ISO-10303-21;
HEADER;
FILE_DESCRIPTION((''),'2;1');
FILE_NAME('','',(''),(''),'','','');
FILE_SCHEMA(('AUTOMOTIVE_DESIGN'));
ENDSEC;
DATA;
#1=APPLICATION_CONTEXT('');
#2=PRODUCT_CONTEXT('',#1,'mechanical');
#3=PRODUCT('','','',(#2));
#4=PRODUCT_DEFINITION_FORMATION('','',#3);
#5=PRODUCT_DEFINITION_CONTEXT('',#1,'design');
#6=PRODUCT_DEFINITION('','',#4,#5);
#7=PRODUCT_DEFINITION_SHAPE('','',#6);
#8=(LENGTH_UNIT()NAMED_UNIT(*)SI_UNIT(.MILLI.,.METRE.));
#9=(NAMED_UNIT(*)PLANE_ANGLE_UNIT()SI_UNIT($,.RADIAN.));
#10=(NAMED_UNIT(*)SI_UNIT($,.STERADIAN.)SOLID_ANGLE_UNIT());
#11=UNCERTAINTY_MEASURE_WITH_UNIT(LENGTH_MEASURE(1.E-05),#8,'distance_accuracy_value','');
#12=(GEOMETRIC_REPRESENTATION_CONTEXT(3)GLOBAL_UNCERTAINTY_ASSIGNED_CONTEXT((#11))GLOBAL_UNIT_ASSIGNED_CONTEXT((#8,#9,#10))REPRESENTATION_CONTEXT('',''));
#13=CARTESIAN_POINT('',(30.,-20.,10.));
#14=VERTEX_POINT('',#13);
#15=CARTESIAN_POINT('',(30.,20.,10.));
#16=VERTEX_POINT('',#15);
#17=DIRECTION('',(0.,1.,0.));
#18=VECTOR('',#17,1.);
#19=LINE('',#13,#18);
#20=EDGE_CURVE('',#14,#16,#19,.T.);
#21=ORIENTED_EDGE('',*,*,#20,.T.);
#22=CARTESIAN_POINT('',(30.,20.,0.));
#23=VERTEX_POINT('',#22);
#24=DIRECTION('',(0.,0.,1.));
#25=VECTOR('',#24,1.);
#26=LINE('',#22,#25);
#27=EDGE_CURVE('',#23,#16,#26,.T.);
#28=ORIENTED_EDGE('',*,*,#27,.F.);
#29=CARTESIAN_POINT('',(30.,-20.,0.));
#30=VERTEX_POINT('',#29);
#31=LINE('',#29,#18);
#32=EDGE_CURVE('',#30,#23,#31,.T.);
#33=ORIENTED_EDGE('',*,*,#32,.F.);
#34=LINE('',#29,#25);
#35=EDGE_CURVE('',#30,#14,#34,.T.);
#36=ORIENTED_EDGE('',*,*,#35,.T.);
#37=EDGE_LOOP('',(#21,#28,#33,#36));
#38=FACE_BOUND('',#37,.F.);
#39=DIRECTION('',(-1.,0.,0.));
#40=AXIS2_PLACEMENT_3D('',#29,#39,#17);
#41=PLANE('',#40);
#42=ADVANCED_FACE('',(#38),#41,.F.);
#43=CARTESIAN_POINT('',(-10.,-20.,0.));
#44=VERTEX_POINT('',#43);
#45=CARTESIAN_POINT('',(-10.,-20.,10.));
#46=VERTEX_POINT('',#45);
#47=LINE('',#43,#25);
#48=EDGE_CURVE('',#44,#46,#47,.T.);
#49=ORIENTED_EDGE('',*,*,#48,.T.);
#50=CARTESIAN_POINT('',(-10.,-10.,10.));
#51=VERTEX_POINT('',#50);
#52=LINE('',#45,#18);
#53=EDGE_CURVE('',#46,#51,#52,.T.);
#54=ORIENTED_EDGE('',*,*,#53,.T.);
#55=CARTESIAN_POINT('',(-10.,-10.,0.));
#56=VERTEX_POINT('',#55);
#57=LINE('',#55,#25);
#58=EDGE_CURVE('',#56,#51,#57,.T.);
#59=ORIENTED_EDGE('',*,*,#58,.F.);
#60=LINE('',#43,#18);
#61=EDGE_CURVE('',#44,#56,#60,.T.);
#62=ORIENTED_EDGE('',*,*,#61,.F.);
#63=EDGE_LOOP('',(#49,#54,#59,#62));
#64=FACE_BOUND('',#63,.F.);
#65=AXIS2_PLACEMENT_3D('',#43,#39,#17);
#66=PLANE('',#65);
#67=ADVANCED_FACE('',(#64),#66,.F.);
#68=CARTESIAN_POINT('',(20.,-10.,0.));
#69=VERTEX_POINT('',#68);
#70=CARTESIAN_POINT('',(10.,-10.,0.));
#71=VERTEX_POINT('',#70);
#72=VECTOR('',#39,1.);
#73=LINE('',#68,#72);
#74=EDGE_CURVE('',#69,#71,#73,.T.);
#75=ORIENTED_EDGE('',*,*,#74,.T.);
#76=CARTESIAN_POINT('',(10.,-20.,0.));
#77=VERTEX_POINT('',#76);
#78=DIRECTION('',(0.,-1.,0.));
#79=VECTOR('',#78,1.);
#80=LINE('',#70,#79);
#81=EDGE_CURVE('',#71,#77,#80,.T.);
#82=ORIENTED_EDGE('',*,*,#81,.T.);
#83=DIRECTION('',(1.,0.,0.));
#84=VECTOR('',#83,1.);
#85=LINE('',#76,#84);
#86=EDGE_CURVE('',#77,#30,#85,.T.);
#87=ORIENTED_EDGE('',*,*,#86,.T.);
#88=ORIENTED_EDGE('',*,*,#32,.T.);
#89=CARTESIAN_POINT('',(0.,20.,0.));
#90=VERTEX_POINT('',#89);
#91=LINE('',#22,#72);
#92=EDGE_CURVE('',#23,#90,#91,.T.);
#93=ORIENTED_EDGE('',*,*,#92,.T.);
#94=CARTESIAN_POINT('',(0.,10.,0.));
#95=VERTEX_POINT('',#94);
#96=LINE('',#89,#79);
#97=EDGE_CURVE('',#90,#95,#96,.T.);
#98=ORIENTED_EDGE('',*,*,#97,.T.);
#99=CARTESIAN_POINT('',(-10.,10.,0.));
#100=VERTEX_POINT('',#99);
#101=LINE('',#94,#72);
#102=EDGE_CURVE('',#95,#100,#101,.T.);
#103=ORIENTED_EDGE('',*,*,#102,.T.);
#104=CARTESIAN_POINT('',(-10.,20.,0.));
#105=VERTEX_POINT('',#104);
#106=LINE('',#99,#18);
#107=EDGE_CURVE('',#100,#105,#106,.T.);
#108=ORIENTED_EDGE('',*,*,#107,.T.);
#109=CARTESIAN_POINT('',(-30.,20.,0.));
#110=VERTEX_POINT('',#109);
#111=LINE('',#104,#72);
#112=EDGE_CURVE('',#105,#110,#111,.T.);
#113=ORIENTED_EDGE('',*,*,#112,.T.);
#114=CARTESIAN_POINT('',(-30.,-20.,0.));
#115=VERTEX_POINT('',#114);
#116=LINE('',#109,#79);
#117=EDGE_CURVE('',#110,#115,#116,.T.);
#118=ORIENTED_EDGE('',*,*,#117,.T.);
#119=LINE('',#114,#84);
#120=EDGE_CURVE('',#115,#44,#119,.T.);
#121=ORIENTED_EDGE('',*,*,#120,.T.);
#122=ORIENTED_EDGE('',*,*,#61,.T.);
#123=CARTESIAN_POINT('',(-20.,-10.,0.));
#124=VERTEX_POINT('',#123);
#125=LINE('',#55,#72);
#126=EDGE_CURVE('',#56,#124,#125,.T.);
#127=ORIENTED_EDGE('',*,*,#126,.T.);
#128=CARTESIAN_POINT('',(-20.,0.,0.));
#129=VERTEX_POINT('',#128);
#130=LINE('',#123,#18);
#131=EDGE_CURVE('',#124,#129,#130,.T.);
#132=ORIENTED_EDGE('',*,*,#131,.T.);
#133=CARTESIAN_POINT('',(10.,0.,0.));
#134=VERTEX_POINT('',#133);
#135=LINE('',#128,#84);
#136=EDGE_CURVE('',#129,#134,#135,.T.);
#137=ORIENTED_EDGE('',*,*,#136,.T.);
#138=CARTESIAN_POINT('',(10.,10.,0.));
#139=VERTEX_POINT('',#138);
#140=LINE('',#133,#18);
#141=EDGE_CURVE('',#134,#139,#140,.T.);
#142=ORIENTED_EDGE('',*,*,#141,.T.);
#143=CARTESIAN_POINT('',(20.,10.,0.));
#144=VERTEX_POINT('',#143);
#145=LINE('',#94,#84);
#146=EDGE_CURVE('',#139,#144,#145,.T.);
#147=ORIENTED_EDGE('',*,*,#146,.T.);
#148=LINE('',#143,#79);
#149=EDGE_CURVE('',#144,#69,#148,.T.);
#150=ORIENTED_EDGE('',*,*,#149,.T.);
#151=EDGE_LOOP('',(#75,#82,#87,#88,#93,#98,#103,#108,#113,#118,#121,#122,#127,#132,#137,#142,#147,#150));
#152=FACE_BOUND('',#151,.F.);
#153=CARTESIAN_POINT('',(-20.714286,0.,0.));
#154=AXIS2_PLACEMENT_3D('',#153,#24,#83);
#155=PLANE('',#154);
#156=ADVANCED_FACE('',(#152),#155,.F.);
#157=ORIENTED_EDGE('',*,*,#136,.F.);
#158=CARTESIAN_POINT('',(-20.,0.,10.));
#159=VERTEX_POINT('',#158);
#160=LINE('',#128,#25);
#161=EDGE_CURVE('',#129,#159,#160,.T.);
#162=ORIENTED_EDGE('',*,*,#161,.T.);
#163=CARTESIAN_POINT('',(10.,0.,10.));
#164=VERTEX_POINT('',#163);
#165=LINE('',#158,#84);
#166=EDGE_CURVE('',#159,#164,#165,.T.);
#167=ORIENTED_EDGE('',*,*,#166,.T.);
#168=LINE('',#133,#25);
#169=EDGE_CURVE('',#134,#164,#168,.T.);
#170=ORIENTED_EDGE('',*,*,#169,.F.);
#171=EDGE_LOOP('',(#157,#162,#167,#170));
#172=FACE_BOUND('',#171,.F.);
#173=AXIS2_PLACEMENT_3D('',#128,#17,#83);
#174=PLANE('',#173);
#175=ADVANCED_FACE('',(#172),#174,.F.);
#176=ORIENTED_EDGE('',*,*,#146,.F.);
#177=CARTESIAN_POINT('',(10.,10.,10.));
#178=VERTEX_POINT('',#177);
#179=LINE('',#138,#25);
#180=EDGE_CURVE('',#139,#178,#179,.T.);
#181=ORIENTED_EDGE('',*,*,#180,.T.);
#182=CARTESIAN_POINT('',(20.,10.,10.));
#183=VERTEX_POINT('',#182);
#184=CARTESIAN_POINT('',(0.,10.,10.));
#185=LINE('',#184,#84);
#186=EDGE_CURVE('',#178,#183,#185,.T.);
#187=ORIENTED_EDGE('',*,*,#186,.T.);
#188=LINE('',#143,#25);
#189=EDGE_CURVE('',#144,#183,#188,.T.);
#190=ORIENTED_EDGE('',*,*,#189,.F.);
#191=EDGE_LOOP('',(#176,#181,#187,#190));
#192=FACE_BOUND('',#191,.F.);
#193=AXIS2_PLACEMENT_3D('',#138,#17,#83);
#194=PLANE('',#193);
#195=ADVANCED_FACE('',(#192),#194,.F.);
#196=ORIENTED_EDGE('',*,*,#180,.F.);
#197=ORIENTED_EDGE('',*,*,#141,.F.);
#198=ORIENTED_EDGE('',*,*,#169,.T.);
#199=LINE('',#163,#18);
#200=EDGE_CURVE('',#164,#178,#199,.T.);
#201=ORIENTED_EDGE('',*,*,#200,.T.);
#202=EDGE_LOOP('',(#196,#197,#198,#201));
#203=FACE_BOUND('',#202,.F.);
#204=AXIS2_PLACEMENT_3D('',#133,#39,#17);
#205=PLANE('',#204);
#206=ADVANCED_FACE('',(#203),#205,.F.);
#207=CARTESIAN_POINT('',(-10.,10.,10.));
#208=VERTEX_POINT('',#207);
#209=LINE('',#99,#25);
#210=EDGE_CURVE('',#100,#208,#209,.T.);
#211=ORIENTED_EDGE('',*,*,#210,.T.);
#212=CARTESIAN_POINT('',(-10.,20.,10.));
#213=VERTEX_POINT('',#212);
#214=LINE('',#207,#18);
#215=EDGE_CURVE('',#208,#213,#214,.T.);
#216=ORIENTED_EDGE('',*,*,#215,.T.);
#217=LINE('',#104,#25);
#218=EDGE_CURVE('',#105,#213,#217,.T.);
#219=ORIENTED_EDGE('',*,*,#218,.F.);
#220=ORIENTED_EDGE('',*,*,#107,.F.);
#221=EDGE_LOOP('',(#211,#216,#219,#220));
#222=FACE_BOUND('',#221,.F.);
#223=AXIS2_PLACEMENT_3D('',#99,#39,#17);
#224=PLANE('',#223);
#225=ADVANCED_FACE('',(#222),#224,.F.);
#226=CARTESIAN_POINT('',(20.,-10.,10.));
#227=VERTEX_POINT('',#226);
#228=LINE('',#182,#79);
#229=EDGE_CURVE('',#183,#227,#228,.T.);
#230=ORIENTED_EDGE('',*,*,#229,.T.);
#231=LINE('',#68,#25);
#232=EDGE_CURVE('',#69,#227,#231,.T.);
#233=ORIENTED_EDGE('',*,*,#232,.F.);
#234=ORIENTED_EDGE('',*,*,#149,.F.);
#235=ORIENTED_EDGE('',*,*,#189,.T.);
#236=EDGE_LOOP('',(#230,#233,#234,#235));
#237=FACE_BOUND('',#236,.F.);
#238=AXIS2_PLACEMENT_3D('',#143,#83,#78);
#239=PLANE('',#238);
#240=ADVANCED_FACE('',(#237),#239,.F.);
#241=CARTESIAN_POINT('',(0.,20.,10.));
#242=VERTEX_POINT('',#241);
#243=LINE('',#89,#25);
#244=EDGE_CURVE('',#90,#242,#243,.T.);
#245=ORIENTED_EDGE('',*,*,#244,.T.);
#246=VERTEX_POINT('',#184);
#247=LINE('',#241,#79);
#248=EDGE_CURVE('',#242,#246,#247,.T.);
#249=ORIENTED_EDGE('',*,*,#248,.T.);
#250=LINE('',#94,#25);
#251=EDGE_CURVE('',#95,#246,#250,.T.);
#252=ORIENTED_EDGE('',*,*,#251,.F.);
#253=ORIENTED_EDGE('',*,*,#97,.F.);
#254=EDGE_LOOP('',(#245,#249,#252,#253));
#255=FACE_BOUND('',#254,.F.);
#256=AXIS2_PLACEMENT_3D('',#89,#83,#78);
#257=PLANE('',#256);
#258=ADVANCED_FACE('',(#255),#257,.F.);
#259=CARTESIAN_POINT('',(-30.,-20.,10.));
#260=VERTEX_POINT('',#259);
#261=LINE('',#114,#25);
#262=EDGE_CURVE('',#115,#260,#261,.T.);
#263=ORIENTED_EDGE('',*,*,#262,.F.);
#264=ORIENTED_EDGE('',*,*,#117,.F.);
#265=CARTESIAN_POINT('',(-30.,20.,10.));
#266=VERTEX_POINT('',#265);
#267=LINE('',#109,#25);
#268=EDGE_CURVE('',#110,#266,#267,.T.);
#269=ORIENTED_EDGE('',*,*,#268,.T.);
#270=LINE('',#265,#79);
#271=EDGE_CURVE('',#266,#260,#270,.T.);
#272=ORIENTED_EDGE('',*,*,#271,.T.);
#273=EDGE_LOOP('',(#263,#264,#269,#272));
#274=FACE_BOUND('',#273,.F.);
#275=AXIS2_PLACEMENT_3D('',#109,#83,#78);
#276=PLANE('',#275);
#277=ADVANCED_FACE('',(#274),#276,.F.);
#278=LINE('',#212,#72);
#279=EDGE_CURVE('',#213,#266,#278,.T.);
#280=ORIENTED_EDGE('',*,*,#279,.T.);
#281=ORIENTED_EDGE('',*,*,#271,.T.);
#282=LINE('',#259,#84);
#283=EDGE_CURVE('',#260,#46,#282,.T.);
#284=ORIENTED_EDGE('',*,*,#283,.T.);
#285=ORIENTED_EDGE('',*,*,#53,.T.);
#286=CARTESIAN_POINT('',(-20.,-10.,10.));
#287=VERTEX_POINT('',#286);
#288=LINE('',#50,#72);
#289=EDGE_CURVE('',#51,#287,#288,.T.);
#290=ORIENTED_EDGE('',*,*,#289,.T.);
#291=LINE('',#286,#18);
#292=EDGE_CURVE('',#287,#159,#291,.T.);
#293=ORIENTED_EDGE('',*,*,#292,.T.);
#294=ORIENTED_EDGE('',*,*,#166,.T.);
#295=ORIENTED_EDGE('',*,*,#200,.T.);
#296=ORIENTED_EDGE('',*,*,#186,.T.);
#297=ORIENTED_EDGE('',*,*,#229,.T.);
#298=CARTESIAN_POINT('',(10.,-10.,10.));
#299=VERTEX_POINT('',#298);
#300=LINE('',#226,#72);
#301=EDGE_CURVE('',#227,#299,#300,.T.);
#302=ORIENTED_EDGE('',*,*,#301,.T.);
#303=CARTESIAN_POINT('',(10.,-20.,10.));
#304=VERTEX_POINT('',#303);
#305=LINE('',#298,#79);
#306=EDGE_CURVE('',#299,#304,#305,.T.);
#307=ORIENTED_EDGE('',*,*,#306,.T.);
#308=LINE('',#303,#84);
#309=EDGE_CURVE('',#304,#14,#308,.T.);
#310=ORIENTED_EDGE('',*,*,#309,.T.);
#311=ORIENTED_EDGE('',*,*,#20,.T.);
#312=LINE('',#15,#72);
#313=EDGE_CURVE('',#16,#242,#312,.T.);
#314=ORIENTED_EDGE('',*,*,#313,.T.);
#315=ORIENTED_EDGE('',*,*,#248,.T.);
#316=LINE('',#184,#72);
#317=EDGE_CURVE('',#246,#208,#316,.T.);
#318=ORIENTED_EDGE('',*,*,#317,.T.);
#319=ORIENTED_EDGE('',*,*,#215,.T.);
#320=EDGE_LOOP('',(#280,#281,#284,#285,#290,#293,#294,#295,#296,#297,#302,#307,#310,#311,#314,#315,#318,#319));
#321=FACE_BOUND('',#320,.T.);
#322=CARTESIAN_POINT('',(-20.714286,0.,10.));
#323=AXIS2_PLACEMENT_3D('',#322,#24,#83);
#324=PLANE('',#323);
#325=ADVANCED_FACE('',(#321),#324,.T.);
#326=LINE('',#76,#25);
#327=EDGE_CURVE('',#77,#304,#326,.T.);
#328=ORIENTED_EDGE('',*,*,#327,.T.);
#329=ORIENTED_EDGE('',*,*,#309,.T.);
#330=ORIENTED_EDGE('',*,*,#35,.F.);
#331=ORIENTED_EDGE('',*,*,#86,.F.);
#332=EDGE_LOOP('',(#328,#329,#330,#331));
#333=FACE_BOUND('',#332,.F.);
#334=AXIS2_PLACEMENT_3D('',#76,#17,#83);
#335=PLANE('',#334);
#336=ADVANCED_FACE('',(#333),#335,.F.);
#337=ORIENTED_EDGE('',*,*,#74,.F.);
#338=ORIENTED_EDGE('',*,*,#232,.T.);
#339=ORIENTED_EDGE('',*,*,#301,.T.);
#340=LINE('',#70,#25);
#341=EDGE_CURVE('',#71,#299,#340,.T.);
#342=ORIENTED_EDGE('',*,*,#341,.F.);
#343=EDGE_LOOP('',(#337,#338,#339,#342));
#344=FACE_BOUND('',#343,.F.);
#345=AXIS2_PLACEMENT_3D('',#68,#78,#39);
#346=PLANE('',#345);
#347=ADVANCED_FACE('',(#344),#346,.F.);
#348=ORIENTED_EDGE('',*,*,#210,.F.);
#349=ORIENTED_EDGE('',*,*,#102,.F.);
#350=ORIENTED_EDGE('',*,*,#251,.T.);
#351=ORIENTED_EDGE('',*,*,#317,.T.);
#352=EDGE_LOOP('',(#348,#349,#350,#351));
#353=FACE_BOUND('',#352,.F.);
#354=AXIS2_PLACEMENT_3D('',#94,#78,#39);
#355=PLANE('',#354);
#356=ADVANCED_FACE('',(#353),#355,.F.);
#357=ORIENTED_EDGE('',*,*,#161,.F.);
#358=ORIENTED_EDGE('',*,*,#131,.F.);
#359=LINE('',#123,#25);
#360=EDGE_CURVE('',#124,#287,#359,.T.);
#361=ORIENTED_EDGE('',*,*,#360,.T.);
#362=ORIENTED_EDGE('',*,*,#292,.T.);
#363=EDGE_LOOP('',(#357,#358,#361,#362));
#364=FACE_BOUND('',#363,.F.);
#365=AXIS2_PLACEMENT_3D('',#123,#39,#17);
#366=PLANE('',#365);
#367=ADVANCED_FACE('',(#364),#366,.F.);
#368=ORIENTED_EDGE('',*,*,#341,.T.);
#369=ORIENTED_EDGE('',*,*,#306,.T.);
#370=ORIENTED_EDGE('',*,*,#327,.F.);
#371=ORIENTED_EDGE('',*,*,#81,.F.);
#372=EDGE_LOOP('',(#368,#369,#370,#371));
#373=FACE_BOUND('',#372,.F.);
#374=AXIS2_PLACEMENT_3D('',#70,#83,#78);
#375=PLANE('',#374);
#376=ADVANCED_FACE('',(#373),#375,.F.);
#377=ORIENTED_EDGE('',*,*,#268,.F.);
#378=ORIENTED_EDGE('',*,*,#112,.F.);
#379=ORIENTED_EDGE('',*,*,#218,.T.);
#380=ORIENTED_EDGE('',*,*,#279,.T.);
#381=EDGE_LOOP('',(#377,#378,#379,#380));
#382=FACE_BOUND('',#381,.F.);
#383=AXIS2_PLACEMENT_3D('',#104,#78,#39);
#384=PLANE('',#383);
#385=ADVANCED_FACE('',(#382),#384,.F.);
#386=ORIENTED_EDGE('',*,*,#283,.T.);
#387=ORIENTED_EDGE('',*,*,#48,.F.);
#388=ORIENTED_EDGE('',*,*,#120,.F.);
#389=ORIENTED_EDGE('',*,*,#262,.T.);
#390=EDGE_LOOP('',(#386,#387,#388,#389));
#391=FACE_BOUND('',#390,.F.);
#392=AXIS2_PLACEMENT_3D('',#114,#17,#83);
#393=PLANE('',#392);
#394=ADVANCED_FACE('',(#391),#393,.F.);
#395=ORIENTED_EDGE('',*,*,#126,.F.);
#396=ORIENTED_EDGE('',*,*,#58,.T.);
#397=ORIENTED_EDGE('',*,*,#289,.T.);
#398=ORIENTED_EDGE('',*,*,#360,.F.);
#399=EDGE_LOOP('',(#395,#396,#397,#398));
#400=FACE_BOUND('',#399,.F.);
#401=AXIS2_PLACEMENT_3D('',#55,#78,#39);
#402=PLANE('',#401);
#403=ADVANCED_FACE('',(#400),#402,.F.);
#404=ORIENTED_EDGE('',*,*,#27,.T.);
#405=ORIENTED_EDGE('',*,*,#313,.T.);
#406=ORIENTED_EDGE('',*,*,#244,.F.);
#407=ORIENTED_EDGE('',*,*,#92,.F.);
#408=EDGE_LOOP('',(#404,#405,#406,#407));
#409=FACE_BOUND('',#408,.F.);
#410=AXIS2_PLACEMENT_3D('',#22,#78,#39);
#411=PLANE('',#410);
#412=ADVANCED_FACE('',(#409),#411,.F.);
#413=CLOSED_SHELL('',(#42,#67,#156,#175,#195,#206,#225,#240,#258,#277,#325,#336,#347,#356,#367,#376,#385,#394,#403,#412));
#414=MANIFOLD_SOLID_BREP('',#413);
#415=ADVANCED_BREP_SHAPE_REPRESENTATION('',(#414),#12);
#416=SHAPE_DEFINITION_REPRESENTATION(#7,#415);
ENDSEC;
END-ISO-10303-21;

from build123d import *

# Parameters (mm, degrees)
F1_DEPTH = 10


with BuildPart() as f1:
    # F0 (on Top) → F1 (new body)
    with BuildSketch(Plane.XY):
        Polygon((-10, 20), (-30, 20), (-30, -20), (-10, -20), (-10, -10), (-20, -10), (-20, 0), (-20, 10), (-10, 10), align=None)
        Polygon((30, 20), (0, 20), (0, 10), (10, 10), (20, 10), (20, -10), (10, -10), (10, -20), (30, -20), align=None)
        Polygon((0, 10), (-10, 10), (-20, 10), (-20, 0), (10, 0), (10, 10), align=None)
    extrude(amount=F1_DEPTH)


solid = f1.part
